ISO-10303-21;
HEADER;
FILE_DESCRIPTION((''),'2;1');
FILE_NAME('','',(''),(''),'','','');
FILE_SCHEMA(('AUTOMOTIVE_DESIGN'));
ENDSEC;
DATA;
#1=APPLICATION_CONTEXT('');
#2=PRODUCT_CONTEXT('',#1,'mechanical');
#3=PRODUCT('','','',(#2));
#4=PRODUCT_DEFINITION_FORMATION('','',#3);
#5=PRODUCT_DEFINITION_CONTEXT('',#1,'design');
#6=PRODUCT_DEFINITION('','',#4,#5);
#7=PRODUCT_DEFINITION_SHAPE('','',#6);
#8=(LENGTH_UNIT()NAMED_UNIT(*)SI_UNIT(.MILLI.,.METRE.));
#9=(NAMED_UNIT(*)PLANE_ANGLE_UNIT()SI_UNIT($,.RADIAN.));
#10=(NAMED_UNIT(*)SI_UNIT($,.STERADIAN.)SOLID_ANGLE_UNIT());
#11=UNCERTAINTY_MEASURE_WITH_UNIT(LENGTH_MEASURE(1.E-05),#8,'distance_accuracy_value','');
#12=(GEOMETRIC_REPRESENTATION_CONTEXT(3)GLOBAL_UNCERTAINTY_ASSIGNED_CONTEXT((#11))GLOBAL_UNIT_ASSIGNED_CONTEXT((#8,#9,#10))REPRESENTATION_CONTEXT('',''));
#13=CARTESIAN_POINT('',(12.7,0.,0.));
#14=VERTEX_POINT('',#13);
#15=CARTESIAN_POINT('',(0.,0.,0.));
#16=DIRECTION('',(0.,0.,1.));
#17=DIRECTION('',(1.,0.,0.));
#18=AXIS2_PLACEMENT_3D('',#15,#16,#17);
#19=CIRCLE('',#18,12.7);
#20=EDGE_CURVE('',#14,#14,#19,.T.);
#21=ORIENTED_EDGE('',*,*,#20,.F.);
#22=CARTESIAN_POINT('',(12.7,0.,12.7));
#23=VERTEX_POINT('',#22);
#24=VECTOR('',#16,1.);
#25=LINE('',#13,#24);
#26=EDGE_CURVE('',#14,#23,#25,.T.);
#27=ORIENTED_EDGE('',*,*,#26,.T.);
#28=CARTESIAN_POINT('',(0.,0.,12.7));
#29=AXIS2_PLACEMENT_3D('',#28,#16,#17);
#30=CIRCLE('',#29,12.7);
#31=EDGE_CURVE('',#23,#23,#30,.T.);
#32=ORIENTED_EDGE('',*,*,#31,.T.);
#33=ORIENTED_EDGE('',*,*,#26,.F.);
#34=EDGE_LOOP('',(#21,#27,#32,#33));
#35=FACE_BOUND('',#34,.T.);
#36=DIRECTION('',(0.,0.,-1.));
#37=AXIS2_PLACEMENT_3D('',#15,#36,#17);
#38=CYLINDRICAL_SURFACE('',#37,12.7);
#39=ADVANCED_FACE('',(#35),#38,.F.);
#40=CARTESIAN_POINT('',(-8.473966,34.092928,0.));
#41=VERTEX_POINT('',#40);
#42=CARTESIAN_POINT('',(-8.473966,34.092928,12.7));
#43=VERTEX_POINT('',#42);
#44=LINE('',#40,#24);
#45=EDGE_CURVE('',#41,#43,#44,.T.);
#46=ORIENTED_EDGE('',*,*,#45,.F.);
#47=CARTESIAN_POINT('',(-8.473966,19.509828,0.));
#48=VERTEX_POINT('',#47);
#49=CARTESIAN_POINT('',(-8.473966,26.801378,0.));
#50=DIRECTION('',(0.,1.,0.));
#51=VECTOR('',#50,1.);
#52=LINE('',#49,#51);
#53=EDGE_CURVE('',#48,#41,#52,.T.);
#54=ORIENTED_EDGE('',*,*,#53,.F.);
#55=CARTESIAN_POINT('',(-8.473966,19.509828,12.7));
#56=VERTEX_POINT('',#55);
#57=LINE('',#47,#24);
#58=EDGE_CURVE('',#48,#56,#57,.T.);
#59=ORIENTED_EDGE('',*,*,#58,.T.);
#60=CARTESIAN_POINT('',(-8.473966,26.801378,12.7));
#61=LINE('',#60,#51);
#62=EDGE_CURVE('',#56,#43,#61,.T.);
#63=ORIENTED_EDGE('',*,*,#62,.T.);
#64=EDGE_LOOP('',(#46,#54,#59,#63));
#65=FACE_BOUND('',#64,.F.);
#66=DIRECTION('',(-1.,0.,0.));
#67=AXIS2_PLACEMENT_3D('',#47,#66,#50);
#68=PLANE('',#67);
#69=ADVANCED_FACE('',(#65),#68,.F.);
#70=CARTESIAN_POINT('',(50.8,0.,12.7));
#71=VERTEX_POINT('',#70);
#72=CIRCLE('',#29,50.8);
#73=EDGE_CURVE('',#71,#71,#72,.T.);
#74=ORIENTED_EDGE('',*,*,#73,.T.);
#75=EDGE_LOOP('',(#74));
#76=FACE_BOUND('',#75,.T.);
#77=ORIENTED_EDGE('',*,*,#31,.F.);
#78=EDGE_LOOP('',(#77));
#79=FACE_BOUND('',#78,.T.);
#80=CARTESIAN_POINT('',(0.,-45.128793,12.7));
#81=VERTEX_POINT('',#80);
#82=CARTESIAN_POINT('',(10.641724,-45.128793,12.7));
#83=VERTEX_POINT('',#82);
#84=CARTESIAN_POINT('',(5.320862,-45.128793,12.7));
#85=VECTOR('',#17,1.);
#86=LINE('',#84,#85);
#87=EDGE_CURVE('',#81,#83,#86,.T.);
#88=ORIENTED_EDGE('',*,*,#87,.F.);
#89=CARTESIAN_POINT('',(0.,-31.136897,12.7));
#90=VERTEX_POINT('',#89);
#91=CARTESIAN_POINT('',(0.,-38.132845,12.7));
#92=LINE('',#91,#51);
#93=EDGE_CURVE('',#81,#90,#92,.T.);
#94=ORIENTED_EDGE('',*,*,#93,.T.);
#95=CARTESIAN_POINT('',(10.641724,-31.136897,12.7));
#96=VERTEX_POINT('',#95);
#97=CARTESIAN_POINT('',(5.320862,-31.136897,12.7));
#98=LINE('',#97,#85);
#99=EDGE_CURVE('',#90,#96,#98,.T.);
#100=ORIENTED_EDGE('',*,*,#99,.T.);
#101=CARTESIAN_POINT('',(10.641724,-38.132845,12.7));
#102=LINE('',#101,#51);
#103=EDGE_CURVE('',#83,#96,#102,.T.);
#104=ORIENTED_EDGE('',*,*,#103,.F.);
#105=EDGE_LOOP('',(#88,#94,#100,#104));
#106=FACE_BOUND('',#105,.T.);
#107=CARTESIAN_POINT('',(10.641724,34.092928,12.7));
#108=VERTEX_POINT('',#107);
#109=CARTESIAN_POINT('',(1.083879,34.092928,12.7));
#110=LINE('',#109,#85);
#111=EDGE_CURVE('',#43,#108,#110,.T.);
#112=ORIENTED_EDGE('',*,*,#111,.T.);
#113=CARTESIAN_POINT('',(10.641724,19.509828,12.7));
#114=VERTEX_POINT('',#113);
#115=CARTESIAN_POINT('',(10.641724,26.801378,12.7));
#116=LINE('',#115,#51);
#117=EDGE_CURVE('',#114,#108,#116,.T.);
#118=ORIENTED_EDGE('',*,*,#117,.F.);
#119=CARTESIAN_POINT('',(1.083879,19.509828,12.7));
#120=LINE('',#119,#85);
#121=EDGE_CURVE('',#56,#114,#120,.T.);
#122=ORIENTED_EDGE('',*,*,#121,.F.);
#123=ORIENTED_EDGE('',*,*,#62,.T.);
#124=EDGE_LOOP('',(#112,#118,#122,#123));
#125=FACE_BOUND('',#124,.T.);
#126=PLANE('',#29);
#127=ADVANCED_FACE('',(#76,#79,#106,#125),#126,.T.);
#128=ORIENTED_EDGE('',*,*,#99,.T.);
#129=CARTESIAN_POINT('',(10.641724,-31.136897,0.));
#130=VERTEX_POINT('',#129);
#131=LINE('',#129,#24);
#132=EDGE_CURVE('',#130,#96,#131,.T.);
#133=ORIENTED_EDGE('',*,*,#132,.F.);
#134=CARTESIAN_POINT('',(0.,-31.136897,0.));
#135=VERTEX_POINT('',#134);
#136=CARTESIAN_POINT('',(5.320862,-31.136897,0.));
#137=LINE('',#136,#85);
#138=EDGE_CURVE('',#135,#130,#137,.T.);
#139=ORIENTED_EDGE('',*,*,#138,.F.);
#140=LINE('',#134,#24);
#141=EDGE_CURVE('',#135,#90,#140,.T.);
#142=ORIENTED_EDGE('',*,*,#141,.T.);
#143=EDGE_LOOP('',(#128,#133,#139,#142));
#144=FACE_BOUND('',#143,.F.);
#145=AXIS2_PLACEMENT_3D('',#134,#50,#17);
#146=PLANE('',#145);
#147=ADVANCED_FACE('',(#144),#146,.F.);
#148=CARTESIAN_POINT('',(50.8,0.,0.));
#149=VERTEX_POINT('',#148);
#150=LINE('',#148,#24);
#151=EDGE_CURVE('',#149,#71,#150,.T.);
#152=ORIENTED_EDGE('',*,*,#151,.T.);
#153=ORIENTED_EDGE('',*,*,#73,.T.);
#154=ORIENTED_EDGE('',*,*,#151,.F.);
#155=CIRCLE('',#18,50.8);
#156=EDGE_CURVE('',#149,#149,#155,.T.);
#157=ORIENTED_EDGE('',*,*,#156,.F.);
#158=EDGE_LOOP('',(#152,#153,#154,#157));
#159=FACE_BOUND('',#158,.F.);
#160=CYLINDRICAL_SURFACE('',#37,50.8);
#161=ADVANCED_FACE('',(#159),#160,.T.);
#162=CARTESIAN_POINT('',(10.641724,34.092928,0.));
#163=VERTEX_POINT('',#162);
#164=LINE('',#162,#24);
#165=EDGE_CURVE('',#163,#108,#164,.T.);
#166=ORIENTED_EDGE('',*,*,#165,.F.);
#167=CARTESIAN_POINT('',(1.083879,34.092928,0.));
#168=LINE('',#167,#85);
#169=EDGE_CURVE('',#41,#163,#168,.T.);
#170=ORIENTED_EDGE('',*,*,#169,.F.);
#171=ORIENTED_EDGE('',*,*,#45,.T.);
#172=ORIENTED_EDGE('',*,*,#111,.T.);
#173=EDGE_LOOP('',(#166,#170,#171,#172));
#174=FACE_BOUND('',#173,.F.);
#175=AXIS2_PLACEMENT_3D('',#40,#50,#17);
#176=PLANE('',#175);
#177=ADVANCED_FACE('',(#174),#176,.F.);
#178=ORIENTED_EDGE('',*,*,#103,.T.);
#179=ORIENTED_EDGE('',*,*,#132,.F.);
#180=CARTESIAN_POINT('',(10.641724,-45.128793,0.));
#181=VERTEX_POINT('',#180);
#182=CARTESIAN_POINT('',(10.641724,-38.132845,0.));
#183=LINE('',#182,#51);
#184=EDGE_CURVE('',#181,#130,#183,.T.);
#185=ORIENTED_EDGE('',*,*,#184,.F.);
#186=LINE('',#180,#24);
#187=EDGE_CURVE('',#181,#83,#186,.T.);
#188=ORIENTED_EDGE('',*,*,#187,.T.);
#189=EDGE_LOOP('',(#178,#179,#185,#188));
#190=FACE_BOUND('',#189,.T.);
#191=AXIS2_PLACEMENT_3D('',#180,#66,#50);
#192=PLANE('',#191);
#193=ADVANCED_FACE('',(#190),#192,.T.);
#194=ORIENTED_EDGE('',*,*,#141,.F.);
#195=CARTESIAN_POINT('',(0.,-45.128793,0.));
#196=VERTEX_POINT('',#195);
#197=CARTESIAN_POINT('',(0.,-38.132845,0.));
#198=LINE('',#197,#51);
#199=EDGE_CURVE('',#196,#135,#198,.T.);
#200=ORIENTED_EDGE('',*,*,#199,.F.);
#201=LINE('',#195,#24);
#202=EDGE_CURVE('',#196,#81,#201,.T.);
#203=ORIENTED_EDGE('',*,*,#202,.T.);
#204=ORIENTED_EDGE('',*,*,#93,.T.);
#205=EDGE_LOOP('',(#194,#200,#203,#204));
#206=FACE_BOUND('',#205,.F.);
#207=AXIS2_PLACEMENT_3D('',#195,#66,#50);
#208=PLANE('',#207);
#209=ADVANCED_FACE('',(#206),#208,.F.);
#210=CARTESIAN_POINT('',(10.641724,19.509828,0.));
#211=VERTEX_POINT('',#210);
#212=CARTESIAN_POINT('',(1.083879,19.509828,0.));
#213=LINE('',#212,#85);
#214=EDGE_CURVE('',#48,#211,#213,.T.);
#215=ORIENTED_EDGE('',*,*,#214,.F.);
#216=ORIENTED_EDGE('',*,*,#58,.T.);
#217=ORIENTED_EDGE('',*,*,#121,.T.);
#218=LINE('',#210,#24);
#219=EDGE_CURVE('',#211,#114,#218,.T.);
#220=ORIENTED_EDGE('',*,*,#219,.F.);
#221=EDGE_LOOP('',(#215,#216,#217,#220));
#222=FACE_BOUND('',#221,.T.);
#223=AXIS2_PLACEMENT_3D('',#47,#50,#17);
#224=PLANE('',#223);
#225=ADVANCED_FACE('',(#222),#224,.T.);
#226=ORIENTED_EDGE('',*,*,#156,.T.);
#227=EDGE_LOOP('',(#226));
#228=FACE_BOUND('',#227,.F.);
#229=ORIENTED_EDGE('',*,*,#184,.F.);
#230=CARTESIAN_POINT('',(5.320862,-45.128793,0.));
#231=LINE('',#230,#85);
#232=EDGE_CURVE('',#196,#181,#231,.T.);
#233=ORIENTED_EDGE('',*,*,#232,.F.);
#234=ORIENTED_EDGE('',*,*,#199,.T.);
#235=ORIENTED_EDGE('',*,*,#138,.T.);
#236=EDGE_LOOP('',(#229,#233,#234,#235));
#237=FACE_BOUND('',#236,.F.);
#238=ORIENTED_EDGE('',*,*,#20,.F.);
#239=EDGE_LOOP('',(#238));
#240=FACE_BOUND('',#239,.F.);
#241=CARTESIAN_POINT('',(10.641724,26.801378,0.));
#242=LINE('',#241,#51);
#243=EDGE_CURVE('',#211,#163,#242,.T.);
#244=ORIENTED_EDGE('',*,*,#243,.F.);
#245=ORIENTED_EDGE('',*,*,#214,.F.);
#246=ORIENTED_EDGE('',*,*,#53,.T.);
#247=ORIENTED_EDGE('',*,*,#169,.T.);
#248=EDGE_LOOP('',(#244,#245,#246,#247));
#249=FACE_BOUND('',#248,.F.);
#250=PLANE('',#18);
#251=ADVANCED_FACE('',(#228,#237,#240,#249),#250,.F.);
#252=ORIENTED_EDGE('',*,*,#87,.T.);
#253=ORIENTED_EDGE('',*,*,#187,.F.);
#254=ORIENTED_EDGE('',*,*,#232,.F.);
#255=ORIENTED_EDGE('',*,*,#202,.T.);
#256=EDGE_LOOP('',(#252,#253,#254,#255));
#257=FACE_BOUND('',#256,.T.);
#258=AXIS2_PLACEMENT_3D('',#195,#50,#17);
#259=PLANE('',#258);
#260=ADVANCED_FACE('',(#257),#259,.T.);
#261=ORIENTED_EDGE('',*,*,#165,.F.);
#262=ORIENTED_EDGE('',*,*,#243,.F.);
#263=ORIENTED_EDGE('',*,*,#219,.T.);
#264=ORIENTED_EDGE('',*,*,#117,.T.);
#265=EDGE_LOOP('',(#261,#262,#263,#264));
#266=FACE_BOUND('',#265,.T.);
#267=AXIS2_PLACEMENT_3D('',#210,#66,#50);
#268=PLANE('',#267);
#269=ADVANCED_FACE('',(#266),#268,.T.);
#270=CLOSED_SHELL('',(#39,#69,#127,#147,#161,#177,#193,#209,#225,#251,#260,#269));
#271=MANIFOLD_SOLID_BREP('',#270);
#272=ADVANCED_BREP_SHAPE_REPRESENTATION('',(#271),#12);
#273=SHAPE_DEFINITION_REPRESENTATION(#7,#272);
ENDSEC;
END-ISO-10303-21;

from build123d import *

# Parameters (mm, degrees)
F0_R     = 50.8
F0_R_2   = 12.7
F0_W     = 10.641724
F0_H     = 13.991895
F0_W_2   = 19.11569
F0_H_2   = 14.583101
F1_DEPTH = 12.7


with BuildPart() as f1:
    # F0 (on Top) → F1 (new body)
    with BuildSketch(Plane.XY):
        Circle(F0_R)
        Circle(F0_R_2, mode=Mode.SUBTRACT)
        with Locations((5.320862, -38.132845)):
            Rectangle(F0_W, F0_H, mode=Mode.SUBTRACT)
        with Locations((1.083879, 26.801378)):
            Rectangle(F0_W_2, F0_H_2, mode=Mode.SUBTRACT)
    extrude(amount=F1_DEPTH)


solid = f1.part
